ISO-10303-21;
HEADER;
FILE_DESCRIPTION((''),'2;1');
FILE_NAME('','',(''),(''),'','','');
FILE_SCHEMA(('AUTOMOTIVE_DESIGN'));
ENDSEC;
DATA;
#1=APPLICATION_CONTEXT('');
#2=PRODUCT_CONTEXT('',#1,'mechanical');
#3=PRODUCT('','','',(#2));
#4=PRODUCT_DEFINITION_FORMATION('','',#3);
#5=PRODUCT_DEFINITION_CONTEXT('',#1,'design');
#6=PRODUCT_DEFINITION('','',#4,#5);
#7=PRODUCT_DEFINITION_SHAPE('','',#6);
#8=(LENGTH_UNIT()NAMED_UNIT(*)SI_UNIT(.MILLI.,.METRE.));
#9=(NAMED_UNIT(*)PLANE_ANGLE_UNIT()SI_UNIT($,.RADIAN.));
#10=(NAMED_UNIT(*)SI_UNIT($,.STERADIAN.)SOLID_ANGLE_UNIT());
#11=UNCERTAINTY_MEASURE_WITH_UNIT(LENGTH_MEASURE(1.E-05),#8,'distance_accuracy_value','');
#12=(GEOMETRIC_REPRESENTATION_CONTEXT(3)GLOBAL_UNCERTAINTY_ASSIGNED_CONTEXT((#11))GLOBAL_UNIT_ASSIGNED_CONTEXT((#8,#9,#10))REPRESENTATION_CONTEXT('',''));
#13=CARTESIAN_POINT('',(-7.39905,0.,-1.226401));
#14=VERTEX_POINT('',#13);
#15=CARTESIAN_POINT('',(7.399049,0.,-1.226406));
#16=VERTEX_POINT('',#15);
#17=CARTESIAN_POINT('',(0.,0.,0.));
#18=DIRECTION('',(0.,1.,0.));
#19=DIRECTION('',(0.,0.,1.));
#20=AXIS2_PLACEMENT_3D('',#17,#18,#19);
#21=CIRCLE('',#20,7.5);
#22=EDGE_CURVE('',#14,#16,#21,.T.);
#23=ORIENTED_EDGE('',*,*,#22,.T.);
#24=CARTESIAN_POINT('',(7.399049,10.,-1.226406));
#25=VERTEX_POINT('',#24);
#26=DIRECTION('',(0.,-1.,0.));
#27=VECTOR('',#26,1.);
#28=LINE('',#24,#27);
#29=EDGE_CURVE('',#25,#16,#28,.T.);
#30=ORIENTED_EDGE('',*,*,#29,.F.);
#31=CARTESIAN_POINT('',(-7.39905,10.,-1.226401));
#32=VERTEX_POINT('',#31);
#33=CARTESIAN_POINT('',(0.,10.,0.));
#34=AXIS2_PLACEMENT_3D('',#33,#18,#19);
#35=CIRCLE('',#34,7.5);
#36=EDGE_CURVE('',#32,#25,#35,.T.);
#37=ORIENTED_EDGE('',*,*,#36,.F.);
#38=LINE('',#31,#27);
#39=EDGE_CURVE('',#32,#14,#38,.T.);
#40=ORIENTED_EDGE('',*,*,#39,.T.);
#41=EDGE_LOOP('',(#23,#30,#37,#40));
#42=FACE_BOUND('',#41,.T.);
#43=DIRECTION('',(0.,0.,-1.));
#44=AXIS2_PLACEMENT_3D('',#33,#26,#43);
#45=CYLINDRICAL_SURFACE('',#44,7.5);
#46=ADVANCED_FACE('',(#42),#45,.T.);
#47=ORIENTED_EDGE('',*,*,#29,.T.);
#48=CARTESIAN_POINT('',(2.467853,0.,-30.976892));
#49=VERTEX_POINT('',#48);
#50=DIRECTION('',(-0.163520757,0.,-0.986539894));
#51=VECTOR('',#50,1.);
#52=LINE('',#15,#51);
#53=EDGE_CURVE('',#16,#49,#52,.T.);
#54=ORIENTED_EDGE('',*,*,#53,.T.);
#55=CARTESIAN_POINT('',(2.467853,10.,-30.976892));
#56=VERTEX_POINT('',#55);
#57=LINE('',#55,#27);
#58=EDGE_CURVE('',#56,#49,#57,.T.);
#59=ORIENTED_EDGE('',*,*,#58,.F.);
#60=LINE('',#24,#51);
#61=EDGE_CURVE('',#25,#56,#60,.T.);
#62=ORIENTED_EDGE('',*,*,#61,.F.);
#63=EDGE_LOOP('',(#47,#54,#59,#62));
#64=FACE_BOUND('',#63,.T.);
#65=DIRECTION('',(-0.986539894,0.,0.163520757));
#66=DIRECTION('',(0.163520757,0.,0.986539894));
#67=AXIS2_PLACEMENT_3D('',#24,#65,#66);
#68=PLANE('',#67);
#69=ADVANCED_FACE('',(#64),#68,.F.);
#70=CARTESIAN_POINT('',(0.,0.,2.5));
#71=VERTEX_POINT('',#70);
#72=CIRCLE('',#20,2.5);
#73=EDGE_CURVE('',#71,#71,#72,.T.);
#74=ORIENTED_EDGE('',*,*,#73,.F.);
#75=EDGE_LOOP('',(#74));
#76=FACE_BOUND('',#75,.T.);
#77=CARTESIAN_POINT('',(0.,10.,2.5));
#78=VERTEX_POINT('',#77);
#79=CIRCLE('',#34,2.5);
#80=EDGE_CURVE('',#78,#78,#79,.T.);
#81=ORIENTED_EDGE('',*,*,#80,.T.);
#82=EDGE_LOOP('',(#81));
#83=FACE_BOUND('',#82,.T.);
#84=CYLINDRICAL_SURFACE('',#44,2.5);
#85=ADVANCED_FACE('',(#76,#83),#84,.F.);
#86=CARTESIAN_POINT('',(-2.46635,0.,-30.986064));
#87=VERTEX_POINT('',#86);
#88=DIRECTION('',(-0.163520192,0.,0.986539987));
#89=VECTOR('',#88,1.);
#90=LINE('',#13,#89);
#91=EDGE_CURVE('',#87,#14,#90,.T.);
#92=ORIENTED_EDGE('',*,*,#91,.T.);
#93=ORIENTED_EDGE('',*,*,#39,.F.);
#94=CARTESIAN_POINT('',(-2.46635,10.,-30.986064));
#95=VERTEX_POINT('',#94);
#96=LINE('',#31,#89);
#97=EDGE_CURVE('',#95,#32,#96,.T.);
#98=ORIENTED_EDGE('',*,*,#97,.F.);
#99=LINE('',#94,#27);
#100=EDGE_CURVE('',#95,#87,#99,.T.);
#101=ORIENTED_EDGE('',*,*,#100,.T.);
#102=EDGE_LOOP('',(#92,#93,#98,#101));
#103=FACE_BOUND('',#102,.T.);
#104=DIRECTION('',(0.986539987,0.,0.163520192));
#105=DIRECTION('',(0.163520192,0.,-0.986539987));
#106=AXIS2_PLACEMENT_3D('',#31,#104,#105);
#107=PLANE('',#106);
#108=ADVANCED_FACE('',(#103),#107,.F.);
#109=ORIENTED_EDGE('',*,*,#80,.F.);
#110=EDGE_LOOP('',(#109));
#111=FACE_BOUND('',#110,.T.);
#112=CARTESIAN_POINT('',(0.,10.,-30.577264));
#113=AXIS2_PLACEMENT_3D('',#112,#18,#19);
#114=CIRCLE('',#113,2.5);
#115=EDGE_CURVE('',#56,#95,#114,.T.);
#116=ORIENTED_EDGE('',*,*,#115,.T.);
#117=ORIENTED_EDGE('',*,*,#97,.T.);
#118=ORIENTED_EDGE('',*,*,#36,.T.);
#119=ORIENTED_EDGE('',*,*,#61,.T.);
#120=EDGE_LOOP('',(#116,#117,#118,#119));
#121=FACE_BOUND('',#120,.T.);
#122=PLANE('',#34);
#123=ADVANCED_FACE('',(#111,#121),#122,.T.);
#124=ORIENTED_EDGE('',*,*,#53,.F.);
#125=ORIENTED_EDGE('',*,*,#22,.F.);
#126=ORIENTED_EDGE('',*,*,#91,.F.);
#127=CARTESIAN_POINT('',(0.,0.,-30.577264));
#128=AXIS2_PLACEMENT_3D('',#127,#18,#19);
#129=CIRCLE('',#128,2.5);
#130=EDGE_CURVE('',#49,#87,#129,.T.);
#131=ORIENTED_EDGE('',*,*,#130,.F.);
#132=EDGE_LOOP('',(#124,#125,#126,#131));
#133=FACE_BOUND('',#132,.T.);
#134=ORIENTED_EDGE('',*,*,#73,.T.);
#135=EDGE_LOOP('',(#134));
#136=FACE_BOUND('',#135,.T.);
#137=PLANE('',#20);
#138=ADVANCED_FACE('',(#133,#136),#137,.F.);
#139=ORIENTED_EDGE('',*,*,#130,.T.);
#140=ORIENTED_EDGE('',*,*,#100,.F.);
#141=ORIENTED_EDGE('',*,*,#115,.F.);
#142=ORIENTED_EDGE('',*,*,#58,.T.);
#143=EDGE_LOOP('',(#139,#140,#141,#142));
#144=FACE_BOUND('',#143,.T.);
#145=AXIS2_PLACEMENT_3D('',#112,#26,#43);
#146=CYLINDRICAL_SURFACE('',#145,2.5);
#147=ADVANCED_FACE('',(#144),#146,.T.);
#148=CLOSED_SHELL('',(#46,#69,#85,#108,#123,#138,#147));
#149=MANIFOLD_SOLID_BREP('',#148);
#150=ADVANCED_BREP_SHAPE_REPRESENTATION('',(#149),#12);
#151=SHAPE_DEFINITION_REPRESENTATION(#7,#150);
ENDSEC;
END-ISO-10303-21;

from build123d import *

# Parameters (mm, degrees)
SKETCH1_R           = 2.5
BOSS_EXTRUDE1_DEPTH = 10


with BuildPart() as part:
    # Sketch1 → Boss-Extrude1 (new body)
    with BuildSketch(Plane(origin=(0, 0, 0), x_dir=(1, 0, 0), z_dir=(0, 1, 0))):
        with BuildLine():
            Line((-7.399049906, 1.22640144), (-2.466349969, 30.986063989))
            ThreePointArc((-2.466349969, 30.986063989), (0.004647131, 33.07725919), (2.467852721, 30.976892019))
            Line((2.467852721, 30.976892019), (7.399049203, 1.226405679))
            ThreePointArc((7.399049203, 1.226405679), (2.148e-06, -7.5), (-7.399049906, 1.22640144))
        make_face()
        with Locations(Location((0, 0, 0), (0, 0, 270))):
            Circle(SKETCH1_R, mode=Mode.SUBTRACT)
    extrude(amount=BOSS_EXTRUDE1_DEPTH)


solid = part.part
